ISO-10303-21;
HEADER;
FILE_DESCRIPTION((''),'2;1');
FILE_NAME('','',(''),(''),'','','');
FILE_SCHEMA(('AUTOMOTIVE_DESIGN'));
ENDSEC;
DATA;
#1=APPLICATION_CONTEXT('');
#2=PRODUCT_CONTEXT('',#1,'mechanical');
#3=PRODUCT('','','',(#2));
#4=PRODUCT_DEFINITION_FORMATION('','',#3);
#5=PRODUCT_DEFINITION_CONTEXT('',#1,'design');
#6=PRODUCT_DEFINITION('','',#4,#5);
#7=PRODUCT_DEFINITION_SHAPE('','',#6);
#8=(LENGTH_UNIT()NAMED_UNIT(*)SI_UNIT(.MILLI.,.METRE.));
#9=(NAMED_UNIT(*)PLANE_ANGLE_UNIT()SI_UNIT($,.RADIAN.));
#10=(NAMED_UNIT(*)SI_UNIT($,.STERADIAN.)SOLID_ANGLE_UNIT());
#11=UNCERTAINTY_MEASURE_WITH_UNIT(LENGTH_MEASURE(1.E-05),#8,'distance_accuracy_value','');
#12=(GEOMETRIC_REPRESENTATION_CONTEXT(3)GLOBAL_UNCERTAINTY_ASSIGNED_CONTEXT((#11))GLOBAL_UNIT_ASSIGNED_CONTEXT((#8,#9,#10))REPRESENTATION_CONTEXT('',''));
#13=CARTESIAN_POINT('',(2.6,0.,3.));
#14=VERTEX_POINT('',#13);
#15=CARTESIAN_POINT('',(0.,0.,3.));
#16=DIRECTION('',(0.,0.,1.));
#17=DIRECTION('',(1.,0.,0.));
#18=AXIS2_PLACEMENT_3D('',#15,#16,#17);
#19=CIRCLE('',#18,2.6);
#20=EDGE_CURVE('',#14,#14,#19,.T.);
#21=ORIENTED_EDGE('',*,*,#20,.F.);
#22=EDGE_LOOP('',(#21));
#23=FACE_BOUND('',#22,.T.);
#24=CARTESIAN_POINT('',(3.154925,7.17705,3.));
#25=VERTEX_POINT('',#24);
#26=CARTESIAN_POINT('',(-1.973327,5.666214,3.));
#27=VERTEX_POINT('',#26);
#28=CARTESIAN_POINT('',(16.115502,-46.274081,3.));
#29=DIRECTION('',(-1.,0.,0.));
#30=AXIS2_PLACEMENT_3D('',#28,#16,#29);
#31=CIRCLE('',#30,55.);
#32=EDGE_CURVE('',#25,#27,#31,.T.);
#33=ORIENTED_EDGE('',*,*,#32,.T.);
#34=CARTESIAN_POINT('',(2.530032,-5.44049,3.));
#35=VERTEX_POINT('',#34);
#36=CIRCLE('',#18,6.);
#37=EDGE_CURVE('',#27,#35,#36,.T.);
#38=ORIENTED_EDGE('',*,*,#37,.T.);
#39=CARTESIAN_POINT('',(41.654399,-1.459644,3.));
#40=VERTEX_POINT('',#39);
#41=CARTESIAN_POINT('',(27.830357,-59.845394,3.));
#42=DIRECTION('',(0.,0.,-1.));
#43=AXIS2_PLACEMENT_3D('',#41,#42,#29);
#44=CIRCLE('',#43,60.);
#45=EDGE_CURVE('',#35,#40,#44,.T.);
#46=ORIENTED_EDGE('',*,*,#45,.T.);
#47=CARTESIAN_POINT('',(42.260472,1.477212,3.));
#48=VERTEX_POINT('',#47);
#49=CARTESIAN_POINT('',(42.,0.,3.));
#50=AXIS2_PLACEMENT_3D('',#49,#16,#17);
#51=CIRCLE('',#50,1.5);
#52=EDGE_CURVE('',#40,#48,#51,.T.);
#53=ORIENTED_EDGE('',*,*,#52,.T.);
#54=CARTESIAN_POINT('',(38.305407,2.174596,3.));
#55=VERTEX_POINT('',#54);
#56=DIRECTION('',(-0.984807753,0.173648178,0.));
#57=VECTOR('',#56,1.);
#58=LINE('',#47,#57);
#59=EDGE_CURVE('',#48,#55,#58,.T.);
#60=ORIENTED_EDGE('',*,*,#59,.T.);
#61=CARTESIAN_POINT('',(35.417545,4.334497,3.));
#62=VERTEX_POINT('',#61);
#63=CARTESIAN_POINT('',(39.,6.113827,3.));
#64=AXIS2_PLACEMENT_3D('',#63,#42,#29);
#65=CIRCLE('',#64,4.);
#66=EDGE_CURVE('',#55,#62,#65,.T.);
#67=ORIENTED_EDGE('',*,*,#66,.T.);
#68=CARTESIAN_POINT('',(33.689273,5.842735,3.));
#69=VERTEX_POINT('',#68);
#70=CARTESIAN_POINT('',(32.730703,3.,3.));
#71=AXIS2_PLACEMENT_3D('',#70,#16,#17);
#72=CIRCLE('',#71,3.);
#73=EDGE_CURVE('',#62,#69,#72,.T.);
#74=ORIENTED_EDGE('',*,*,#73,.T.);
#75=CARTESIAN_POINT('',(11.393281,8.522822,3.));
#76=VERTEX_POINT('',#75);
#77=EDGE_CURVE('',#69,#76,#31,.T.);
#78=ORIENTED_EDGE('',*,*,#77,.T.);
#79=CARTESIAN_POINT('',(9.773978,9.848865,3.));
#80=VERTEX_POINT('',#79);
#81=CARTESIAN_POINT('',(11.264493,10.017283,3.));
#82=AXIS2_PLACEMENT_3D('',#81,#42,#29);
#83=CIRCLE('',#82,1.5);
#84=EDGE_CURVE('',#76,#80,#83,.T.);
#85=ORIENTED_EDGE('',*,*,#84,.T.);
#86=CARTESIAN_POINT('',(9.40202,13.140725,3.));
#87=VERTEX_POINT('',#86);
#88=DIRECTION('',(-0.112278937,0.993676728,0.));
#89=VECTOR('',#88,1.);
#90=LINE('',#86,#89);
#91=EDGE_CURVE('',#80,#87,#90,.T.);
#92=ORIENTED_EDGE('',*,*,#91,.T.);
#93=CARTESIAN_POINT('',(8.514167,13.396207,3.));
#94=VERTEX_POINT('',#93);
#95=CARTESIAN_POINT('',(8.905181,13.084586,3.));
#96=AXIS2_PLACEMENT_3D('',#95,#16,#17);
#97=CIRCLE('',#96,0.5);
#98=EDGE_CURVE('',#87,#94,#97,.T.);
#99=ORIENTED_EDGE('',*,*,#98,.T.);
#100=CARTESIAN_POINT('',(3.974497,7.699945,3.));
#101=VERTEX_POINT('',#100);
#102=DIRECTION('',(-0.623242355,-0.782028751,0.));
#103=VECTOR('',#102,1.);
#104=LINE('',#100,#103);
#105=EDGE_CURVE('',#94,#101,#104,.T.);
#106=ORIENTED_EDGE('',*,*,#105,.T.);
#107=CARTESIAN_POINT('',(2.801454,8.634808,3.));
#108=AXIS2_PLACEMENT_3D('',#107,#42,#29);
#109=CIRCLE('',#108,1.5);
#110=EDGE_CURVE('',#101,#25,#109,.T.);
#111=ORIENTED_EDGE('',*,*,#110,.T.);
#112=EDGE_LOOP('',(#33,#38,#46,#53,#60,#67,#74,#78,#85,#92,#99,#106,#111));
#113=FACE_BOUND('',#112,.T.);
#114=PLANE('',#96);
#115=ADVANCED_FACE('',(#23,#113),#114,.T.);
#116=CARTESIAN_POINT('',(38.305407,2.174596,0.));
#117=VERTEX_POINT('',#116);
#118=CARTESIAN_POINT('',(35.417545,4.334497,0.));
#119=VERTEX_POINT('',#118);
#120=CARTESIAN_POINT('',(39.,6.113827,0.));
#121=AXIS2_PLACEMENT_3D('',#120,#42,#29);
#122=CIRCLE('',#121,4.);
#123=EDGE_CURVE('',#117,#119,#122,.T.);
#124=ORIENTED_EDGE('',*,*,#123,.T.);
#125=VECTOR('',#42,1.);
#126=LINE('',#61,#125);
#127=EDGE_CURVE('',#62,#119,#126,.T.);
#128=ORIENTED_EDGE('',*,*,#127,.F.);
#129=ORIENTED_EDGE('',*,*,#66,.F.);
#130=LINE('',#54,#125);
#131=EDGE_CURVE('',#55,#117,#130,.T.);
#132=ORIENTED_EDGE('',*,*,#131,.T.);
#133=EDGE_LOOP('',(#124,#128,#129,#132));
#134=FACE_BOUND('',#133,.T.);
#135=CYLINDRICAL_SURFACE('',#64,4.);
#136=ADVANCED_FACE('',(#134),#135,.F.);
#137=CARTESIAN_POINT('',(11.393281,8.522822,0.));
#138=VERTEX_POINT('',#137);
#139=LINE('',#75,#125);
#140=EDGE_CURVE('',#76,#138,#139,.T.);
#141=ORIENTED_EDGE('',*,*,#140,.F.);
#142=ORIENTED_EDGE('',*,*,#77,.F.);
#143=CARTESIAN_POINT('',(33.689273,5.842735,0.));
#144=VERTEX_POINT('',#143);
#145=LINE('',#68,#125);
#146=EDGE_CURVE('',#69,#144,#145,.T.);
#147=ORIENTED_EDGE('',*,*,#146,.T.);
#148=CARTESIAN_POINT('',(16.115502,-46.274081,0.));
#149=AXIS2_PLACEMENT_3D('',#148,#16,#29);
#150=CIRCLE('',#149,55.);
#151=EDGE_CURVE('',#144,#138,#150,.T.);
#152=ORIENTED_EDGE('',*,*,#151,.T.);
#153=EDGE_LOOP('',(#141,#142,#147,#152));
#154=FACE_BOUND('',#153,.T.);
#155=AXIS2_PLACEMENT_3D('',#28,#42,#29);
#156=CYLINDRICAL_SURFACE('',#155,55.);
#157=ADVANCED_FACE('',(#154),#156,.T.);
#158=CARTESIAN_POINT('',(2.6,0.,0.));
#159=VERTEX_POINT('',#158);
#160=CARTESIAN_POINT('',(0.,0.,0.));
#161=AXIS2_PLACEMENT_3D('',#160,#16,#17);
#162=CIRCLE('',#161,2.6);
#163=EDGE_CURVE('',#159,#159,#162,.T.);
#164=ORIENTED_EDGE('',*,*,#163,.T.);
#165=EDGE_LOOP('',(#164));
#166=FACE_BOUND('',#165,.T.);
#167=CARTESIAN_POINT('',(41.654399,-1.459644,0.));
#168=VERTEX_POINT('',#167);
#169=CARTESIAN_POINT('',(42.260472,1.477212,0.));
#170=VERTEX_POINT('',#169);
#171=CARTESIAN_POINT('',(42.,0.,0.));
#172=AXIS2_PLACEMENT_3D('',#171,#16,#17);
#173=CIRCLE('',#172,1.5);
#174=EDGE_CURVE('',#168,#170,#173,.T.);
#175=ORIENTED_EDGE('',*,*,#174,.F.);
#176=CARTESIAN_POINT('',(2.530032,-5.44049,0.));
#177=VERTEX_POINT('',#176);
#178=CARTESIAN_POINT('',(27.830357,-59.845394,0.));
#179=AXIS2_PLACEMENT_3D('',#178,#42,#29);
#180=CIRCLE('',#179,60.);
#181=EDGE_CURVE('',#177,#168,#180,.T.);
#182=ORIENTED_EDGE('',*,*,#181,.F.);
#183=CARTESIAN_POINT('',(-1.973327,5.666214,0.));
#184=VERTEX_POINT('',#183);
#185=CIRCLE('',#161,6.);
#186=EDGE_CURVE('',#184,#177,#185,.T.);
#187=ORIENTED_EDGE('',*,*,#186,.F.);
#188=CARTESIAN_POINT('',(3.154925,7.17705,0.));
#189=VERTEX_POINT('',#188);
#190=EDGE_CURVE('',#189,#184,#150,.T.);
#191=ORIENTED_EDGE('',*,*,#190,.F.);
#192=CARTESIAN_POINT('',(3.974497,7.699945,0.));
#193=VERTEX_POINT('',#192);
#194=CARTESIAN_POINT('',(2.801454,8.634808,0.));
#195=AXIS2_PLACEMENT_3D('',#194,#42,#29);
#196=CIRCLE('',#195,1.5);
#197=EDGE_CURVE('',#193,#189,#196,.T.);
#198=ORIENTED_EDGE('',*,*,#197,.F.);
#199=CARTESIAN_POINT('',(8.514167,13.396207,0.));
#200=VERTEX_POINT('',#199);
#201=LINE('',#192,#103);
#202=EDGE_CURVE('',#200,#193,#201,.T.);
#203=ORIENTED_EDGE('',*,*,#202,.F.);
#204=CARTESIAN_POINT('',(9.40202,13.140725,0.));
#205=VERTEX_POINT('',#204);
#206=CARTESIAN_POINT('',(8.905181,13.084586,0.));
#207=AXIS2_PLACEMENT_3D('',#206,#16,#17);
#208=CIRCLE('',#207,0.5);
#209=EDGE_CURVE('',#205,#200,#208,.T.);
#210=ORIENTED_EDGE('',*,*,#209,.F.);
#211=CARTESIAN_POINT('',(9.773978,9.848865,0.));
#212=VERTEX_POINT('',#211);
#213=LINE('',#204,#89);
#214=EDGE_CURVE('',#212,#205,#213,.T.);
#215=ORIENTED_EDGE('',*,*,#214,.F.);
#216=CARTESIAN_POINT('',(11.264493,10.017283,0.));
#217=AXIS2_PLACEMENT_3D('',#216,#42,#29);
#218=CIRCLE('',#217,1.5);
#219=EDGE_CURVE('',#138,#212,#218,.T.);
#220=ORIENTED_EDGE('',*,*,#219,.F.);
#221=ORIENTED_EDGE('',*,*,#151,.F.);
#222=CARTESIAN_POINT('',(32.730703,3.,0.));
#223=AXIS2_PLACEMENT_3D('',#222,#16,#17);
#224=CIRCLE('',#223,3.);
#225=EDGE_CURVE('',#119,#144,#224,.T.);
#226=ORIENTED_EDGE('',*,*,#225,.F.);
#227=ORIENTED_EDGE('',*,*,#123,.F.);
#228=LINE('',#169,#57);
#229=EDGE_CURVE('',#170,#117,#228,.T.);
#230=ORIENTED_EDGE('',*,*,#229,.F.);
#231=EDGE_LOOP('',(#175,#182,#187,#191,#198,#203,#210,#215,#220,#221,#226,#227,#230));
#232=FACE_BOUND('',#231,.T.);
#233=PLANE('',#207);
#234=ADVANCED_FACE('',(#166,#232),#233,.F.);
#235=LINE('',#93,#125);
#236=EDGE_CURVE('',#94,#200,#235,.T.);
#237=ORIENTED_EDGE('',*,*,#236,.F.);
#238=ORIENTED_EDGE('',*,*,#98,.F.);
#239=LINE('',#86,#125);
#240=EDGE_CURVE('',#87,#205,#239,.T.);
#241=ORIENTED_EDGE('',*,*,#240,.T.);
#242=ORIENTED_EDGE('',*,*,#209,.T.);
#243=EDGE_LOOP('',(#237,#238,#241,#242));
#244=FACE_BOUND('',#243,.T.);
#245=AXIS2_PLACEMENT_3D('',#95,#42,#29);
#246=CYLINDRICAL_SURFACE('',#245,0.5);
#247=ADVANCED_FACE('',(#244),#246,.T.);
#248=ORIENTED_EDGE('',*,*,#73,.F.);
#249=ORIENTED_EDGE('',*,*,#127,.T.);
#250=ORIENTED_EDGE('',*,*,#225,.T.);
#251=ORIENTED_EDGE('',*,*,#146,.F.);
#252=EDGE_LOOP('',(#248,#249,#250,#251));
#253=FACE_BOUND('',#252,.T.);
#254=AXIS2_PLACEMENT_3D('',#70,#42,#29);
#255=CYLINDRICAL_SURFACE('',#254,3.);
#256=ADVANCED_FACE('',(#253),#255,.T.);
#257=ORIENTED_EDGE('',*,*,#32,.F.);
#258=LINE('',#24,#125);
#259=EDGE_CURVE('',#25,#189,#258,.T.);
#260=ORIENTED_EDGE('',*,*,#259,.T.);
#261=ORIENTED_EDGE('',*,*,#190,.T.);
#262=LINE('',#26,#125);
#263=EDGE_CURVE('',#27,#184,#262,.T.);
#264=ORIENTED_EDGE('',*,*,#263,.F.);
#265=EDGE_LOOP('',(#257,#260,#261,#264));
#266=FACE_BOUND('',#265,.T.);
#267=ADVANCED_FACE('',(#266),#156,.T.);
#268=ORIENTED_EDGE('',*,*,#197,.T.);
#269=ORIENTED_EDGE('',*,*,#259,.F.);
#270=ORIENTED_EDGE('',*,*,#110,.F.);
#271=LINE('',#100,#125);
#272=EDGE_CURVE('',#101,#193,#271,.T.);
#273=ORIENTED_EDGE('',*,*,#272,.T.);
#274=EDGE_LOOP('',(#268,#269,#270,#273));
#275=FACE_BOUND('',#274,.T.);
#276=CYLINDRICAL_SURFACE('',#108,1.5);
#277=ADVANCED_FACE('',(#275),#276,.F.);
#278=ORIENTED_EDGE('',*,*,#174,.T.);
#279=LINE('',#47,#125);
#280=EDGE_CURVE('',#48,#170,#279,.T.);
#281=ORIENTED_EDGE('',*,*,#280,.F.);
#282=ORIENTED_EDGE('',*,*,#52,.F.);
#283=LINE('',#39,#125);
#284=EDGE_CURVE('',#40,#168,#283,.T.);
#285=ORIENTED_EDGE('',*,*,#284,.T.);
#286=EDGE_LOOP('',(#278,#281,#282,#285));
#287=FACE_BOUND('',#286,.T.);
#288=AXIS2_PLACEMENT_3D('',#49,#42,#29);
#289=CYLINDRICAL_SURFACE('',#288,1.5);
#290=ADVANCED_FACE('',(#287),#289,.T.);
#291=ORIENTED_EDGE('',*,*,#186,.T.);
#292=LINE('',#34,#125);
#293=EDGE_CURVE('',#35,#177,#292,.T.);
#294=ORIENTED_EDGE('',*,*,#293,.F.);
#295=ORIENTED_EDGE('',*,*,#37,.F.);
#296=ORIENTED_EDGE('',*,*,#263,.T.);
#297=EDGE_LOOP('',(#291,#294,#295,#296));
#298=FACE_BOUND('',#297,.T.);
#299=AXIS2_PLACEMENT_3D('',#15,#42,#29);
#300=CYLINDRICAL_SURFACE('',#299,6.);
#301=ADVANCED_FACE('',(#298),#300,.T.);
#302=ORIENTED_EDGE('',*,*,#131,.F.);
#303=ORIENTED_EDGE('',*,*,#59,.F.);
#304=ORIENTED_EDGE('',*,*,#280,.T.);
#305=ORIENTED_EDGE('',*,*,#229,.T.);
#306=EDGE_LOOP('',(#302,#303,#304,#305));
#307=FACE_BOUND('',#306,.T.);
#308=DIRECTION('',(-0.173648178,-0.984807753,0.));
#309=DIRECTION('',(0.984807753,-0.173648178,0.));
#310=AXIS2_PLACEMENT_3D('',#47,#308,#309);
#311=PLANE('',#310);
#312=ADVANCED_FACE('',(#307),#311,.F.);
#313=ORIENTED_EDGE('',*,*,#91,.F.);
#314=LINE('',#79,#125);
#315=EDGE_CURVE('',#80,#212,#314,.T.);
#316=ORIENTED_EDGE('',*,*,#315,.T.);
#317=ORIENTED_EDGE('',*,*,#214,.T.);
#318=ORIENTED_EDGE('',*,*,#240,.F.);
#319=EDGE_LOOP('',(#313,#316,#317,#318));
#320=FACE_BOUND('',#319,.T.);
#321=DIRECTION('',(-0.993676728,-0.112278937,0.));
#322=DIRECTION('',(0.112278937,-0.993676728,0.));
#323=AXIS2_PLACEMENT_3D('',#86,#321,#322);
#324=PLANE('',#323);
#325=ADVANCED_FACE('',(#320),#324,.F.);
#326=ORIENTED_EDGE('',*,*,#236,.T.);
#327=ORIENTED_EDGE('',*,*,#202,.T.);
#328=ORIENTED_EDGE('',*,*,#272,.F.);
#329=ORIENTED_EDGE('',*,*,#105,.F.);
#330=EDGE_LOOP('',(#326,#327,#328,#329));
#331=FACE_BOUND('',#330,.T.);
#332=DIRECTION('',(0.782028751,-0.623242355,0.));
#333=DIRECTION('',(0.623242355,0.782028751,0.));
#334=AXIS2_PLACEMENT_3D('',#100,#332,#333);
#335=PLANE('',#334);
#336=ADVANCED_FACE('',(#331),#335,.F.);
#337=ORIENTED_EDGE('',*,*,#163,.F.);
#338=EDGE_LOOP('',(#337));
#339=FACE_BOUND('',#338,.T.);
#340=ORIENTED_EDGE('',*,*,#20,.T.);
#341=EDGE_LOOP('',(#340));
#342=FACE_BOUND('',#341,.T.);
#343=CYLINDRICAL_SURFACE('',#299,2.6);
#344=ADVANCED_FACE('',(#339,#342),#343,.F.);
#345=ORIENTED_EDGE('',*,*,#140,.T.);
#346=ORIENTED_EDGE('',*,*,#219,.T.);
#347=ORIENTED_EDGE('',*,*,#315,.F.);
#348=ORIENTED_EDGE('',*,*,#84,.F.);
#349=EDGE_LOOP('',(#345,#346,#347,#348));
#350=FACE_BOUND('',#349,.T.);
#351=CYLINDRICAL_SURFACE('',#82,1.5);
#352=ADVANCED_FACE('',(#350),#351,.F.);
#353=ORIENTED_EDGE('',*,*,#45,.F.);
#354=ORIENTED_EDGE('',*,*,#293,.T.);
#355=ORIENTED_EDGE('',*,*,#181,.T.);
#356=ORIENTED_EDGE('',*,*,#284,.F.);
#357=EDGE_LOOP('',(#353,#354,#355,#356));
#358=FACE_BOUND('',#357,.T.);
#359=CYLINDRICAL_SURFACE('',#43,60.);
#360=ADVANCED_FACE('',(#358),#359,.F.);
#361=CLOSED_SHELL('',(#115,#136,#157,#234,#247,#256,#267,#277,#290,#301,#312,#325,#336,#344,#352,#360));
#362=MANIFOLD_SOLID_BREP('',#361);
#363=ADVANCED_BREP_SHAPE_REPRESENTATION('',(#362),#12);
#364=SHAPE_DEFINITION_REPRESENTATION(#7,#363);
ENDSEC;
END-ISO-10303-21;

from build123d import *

# Parameters (mm, degrees)
ESQUISSE1_R          = 2.6
BASE_EXTRUSION_DEPTH = 3


with BuildPart() as part:
    # Esquisse1 → Base-Extrusion (new body)
    with BuildSketch(Plane.XY):
        with BuildLine():
            Line((42.260472267, 1.47721163), (38.305407289, 2.174596295))
            ThreePointArc((38.305407289, 2.174596295), (36.604258385, 2.910637942), (35.417544816, 4.334497417))
            ThreePointArc((35.417544816, 4.334497417), (34.703252614, 5.26032071), (33.689272741, 5.842735456))
            ThreePointArc((33.689272741, 5.842735456), (22.679517475, 8.332820348), (11.393281032, 8.522822221))
            ThreePointArc((11.393281032, 8.522822221), (10.314139297, 8.856754257), (9.773978095, 9.848864818))
            Line((9.773978095, 9.848864818), (9.402019506, 13.140725264))
            ThreePointArc((9.402019506, 13.140725264), (9.043446847, 13.565088236), (8.514166767, 13.396206973))
            Line((8.514166767, 13.396206973), (3.974497387, 7.699944601))
            ThreePointArc((3.974497387, 7.699944601), (3.608247601, 7.370259002), (3.154924555, 7.177050008))
            ThreePointArc((3.154924555, 7.177050008), (0.572430777, 6.483979152), (-1.973326778, 5.666214029))
            ThreePointArc((-1.973326778, 5.666214029), (-5.560323829, -2.254506357), (2.530032468, -5.440490393))
            ThreePointArc((2.530032468, -5.440490393), (21.756803647, -0.153586273), (41.654398955, -1.459643764))
            ThreePointArc((41.654398955, -1.459643764), (43.469044461, -0.303163936), (42.260472267, 1.47721163))
        make_face()
        Circle(ESQUISSE1_R, mode=Mode.SUBTRACT)
    extrude(amount=BASE_EXTRUSION_DEPTH)


solid = part.part
